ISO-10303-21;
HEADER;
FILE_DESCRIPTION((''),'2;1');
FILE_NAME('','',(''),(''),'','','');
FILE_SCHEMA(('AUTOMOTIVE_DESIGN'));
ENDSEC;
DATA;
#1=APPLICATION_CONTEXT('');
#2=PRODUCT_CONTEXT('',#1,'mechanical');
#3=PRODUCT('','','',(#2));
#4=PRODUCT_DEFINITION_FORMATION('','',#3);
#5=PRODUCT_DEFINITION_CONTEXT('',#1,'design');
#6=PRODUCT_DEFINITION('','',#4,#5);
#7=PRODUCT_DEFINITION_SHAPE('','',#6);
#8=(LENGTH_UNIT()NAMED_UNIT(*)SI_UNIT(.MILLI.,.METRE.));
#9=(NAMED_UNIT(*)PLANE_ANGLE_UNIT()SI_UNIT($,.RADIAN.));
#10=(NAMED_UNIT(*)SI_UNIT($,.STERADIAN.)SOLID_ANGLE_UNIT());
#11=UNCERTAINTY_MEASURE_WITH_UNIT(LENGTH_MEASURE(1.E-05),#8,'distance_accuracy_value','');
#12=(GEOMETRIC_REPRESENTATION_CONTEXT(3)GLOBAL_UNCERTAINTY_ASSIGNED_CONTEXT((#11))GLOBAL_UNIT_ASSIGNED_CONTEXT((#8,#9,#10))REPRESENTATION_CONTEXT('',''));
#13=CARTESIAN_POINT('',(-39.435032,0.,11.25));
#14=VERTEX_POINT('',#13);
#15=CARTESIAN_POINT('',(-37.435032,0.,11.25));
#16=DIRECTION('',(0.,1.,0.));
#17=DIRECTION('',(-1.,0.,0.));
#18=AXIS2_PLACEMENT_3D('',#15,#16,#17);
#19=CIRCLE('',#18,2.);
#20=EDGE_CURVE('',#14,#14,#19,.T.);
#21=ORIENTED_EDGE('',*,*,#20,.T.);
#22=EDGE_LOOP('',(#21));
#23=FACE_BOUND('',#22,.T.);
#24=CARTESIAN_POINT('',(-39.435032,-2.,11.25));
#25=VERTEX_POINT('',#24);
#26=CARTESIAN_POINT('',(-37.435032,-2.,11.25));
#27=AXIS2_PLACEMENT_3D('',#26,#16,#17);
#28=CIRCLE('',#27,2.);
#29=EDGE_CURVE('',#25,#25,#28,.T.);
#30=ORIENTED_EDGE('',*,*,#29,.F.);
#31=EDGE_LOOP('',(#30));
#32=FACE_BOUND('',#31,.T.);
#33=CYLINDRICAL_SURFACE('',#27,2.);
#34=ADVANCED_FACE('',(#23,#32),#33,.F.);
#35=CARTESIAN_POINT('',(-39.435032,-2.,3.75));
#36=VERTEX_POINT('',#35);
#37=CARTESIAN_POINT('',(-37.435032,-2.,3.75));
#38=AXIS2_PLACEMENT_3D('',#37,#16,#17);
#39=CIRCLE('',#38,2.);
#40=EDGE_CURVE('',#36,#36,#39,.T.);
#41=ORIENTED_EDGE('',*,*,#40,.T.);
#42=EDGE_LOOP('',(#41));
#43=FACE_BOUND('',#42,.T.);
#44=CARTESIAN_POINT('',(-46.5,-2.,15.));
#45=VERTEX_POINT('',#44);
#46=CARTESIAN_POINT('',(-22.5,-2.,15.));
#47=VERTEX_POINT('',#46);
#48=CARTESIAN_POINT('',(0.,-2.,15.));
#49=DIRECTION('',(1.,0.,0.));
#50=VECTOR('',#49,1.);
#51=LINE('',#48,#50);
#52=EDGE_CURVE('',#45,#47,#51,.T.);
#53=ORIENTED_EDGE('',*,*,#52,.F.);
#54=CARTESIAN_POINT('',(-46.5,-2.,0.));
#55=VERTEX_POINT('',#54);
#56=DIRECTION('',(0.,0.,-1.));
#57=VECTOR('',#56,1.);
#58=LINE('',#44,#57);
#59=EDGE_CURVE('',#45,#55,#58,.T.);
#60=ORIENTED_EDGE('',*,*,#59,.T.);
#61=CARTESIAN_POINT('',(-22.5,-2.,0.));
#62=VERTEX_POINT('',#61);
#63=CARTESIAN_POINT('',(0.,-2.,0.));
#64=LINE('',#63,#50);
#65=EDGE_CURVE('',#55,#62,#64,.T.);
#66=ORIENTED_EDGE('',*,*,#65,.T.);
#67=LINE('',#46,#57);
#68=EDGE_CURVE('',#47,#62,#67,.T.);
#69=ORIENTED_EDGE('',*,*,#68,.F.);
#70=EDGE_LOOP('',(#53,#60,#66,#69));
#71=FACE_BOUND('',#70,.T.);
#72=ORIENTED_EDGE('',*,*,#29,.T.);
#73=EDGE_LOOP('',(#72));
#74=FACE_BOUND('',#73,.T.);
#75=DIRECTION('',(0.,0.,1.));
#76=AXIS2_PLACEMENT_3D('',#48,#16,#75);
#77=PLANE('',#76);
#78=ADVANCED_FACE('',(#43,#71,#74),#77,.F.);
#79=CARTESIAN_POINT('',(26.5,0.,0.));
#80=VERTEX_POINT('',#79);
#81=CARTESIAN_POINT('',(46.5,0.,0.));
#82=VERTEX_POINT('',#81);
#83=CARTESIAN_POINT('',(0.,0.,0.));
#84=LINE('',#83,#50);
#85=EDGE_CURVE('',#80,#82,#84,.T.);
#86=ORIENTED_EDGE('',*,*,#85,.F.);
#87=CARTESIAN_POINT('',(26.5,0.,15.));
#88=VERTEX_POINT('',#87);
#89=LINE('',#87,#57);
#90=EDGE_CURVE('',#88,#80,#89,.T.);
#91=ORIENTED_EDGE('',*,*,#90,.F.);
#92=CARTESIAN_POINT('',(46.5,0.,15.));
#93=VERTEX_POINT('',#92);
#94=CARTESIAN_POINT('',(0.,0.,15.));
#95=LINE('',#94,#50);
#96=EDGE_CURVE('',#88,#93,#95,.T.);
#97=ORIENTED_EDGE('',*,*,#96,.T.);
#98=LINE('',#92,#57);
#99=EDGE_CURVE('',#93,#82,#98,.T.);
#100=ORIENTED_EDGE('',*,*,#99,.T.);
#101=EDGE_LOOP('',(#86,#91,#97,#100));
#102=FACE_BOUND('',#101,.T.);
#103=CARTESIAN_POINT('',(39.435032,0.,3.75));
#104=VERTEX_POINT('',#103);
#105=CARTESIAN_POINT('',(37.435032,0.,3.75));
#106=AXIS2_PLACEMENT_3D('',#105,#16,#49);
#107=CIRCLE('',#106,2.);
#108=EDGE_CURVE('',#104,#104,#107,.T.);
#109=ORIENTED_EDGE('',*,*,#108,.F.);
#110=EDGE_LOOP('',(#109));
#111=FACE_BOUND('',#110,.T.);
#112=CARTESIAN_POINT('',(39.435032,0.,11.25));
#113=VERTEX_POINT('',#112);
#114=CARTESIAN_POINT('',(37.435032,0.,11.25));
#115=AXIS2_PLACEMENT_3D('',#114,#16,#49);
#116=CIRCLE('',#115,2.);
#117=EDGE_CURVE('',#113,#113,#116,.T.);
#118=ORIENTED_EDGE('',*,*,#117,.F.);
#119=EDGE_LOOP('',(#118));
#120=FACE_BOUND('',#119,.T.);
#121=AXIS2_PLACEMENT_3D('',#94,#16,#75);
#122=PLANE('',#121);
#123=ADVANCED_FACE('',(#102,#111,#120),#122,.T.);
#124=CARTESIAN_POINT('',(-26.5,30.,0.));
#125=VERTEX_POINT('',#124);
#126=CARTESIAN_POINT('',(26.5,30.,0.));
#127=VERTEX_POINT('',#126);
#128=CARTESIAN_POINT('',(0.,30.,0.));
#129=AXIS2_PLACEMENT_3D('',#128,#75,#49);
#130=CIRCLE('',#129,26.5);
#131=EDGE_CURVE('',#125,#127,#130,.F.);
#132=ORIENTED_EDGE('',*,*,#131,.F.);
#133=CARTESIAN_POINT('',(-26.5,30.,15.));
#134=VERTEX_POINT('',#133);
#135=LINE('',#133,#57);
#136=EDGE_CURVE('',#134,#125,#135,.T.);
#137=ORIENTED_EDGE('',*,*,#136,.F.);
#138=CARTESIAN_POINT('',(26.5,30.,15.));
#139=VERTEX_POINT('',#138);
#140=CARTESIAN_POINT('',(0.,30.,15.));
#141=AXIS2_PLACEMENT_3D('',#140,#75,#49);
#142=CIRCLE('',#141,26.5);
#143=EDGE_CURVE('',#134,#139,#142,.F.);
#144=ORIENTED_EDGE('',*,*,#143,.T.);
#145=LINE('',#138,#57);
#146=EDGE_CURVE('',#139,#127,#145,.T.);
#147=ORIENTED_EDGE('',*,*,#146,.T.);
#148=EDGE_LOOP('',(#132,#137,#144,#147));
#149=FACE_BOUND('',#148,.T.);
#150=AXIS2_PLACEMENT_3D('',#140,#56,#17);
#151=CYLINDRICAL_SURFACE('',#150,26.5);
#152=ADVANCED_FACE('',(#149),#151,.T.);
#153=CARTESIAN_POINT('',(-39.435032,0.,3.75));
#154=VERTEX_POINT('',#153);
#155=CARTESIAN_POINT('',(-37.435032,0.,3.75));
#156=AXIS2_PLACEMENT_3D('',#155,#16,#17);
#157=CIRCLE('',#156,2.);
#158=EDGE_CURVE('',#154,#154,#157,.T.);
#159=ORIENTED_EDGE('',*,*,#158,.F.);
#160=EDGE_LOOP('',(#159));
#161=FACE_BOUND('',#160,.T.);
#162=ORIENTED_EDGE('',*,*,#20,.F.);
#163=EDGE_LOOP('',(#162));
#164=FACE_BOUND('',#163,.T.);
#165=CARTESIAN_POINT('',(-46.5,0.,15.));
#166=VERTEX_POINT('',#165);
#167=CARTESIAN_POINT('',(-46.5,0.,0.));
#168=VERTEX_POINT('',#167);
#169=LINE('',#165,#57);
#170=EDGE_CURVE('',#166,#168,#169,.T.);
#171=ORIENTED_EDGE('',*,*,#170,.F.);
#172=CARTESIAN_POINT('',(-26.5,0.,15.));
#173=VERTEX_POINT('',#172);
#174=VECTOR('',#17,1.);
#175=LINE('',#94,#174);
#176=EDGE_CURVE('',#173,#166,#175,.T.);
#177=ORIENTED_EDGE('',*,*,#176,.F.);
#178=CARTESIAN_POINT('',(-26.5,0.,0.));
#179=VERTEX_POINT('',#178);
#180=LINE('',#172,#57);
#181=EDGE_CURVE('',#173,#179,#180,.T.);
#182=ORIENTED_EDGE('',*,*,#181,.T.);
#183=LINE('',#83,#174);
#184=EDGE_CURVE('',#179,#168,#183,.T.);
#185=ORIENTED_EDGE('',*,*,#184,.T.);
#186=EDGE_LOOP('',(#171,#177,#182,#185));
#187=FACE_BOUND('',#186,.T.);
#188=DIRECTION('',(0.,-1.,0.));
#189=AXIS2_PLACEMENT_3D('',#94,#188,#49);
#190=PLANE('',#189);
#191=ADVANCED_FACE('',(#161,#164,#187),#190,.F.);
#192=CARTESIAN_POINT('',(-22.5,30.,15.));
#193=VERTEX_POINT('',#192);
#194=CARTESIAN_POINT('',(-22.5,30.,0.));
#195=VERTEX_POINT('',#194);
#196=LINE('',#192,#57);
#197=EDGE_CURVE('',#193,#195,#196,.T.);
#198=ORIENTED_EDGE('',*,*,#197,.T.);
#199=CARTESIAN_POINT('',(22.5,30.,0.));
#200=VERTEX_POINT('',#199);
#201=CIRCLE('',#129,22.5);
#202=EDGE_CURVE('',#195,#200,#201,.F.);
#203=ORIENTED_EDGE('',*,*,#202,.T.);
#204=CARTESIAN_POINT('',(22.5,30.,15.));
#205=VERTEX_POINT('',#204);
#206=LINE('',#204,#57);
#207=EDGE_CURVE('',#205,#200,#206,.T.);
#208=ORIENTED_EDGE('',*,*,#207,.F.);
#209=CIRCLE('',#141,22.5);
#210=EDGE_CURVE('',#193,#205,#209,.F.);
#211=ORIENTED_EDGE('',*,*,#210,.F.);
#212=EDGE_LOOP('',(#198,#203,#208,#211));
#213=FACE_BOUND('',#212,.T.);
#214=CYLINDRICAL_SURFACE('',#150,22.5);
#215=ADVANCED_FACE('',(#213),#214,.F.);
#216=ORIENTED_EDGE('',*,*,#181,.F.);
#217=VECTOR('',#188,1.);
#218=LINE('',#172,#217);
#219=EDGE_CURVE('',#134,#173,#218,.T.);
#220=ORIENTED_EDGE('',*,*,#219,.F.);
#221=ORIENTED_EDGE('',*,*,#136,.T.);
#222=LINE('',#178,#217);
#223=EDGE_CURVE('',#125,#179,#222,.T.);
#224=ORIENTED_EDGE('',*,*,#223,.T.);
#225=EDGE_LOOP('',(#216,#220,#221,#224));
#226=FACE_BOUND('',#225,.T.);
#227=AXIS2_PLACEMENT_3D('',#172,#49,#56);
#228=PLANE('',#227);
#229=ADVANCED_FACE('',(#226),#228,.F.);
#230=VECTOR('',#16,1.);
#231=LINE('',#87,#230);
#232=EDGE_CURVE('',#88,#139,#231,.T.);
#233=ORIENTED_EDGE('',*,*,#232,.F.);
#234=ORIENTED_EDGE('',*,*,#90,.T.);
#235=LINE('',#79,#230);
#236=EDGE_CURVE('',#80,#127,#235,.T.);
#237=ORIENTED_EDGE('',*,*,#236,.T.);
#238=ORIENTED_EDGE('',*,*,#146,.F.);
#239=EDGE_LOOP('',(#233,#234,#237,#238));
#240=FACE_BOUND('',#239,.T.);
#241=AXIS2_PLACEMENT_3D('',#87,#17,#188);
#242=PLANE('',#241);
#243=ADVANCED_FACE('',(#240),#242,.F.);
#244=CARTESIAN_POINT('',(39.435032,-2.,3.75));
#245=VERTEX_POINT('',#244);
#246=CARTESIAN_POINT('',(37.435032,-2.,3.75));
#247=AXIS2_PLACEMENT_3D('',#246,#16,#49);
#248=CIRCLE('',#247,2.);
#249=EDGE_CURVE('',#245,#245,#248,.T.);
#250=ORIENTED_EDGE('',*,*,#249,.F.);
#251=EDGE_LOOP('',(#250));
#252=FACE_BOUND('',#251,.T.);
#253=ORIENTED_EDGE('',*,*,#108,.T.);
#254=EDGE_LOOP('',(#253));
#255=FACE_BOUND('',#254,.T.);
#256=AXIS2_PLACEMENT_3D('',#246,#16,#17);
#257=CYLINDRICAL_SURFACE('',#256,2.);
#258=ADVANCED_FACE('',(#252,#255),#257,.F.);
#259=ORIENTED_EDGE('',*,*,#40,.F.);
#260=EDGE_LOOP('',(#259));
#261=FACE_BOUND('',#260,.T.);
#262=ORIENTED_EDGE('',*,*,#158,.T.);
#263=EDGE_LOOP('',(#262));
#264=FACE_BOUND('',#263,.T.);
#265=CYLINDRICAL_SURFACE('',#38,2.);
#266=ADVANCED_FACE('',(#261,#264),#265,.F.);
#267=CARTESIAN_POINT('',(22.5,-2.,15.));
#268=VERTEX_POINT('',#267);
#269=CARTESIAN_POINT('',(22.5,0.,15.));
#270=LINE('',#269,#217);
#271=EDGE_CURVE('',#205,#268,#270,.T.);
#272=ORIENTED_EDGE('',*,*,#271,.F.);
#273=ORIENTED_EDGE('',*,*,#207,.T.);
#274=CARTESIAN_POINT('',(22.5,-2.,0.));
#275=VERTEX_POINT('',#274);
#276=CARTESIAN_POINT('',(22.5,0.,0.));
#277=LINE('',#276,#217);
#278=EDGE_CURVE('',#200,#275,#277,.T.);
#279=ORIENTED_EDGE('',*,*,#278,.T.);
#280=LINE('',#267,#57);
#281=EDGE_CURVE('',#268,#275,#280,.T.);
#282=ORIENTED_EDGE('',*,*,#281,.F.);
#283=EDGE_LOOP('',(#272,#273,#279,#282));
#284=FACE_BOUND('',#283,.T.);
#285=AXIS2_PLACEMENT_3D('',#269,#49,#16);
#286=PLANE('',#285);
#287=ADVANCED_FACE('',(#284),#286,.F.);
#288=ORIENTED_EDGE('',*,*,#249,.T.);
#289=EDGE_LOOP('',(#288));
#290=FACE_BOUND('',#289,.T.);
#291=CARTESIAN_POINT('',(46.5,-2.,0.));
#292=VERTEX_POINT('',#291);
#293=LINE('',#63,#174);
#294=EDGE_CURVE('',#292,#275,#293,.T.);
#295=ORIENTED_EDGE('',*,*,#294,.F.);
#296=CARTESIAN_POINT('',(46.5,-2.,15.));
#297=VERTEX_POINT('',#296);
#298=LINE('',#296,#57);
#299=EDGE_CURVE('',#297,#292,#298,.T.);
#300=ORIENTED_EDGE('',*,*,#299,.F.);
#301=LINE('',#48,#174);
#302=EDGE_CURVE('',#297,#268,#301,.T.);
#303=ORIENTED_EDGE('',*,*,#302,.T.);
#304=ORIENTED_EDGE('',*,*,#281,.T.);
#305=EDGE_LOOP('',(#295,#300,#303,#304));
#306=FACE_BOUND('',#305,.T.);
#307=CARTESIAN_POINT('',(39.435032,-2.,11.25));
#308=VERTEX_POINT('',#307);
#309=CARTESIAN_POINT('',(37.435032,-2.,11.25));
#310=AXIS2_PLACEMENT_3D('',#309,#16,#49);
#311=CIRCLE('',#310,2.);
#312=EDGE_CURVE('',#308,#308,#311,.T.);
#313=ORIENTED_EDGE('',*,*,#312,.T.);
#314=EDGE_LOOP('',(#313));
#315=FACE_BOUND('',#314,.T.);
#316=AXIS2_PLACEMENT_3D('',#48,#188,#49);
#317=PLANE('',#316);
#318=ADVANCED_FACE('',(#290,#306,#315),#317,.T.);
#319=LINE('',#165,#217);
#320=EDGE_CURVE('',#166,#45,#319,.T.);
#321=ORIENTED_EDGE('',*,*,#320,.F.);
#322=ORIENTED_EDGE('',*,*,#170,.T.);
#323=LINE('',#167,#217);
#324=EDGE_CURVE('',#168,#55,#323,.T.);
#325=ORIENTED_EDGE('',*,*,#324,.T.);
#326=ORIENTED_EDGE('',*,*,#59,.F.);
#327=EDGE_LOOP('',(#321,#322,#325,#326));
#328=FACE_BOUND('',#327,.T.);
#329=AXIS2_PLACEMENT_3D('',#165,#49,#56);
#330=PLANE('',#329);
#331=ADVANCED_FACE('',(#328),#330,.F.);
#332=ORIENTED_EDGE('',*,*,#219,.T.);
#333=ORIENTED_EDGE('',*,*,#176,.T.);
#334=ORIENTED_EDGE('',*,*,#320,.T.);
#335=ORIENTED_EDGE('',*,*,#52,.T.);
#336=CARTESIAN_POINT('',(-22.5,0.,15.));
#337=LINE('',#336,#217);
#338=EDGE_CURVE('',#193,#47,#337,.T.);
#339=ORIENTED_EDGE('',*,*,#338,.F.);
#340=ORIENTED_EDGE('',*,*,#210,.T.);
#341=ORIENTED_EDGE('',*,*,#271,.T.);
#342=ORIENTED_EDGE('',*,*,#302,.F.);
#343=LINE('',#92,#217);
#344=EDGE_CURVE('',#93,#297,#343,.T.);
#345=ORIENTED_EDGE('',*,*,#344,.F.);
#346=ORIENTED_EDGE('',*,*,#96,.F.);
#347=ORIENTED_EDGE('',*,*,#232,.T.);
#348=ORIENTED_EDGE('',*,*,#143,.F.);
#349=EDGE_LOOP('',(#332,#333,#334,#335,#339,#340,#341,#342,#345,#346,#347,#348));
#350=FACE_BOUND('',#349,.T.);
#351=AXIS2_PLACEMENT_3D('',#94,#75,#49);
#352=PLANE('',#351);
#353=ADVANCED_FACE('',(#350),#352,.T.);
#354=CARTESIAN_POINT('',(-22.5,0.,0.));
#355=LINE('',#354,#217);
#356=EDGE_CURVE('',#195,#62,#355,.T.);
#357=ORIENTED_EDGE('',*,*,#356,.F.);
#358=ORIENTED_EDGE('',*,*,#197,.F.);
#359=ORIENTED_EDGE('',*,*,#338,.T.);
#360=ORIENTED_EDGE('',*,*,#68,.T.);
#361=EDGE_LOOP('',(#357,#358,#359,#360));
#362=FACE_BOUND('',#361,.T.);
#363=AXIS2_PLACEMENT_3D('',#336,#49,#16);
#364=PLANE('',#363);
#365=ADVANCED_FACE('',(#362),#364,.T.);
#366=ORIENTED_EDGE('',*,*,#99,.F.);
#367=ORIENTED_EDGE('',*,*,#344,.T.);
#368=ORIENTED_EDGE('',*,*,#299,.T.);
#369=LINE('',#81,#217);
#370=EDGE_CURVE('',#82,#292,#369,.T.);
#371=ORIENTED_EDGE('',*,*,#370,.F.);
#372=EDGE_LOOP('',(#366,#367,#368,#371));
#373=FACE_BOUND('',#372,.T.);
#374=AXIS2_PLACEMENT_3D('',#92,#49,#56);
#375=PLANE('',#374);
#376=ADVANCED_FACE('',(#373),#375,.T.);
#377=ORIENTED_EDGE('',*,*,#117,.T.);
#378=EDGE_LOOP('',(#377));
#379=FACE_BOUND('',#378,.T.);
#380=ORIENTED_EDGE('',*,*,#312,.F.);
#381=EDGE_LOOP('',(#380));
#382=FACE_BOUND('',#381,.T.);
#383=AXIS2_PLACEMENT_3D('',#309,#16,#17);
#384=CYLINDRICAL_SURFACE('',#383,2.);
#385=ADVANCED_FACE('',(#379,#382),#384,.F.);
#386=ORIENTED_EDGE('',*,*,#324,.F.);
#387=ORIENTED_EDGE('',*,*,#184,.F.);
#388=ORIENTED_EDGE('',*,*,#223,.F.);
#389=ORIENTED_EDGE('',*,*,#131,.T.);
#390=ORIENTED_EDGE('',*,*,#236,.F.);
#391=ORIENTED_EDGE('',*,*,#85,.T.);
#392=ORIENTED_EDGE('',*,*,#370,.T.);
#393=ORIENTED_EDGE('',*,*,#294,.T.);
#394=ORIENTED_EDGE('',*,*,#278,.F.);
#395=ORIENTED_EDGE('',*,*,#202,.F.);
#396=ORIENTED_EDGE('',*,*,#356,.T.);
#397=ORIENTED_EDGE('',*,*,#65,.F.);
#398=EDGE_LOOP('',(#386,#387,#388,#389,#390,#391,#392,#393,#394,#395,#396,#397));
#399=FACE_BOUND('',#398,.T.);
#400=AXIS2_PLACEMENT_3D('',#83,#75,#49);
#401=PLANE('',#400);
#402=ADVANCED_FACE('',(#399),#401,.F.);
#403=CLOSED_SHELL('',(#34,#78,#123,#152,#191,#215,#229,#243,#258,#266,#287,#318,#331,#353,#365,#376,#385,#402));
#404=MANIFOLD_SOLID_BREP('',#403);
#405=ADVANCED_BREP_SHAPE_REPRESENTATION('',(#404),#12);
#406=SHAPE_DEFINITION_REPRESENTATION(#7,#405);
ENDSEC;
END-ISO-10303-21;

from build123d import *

# Parameters (mm, degrees)
BOSS_EXTRUDE1_DEPTH = 15
SKETCH2_R           = 2
CUT_EXTRUDE1_DEPTH  = 75.696050766


with BuildPart() as part:
    # Sketch1 → Boss-Extrude1 (new body)
    with BuildSketch(Plane.XY):
        with BuildLine():
            Line((-22.5, 30), (-22.5, 0))
            Line((-22.5, 0), (-22.5, -2))
            Line((-22.5, -2), (-46.5, -2))
            Line((-46.5, -2), (-46.5, 0))
            Line((-46.5, 0), (-26.5, 0))
            Line((-26.5, 0), (-26.5, 30))
            ThreePointArc((-26.5, 30), (0, 56.5), (26.5, 30))
            Line((26.5, 30), (26.5, 0))
            Line((26.5, 0), (46.5, 0))
            Line((46.5, 0), (46.5, -2))
            Line((46.5, -2), (22.5, -2))
            Line((22.5, -2), (22.5, 0))
            Line((22.5, 0), (22.5, 30))
            ThreePointArc((22.5, 30), (0, 52.5), (-22.5, 30))
        make_face()
    extrude(amount=BOSS_EXTRUDE1_DEPTH)

    # Sketch2 → Cut-Extrude1 (cut, through all)
    with BuildSketch(Plane(origin=(0, 0, 0), x_dir=(1, 0, 0), z_dir=(0, 1, 0))):
        with Locations(Location((-37.435032434, -3.75, 0), (0, 0, 180))):
            Circle(SKETCH2_R)
        with Locations(Location((-37.435032434, -11.25, 0), (0, 0, 180))):
            Circle(SKETCH2_R)
        with Locations((37.435032434, -11.25)):
            Circle(SKETCH2_R)
        with Locations((37.435032434, -3.75)):
            Circle(SKETCH2_R)
    extrude(amount=-CUT_EXTRUDE1_DEPTH, mode=Mode.SUBTRACT)


solid = part.part
